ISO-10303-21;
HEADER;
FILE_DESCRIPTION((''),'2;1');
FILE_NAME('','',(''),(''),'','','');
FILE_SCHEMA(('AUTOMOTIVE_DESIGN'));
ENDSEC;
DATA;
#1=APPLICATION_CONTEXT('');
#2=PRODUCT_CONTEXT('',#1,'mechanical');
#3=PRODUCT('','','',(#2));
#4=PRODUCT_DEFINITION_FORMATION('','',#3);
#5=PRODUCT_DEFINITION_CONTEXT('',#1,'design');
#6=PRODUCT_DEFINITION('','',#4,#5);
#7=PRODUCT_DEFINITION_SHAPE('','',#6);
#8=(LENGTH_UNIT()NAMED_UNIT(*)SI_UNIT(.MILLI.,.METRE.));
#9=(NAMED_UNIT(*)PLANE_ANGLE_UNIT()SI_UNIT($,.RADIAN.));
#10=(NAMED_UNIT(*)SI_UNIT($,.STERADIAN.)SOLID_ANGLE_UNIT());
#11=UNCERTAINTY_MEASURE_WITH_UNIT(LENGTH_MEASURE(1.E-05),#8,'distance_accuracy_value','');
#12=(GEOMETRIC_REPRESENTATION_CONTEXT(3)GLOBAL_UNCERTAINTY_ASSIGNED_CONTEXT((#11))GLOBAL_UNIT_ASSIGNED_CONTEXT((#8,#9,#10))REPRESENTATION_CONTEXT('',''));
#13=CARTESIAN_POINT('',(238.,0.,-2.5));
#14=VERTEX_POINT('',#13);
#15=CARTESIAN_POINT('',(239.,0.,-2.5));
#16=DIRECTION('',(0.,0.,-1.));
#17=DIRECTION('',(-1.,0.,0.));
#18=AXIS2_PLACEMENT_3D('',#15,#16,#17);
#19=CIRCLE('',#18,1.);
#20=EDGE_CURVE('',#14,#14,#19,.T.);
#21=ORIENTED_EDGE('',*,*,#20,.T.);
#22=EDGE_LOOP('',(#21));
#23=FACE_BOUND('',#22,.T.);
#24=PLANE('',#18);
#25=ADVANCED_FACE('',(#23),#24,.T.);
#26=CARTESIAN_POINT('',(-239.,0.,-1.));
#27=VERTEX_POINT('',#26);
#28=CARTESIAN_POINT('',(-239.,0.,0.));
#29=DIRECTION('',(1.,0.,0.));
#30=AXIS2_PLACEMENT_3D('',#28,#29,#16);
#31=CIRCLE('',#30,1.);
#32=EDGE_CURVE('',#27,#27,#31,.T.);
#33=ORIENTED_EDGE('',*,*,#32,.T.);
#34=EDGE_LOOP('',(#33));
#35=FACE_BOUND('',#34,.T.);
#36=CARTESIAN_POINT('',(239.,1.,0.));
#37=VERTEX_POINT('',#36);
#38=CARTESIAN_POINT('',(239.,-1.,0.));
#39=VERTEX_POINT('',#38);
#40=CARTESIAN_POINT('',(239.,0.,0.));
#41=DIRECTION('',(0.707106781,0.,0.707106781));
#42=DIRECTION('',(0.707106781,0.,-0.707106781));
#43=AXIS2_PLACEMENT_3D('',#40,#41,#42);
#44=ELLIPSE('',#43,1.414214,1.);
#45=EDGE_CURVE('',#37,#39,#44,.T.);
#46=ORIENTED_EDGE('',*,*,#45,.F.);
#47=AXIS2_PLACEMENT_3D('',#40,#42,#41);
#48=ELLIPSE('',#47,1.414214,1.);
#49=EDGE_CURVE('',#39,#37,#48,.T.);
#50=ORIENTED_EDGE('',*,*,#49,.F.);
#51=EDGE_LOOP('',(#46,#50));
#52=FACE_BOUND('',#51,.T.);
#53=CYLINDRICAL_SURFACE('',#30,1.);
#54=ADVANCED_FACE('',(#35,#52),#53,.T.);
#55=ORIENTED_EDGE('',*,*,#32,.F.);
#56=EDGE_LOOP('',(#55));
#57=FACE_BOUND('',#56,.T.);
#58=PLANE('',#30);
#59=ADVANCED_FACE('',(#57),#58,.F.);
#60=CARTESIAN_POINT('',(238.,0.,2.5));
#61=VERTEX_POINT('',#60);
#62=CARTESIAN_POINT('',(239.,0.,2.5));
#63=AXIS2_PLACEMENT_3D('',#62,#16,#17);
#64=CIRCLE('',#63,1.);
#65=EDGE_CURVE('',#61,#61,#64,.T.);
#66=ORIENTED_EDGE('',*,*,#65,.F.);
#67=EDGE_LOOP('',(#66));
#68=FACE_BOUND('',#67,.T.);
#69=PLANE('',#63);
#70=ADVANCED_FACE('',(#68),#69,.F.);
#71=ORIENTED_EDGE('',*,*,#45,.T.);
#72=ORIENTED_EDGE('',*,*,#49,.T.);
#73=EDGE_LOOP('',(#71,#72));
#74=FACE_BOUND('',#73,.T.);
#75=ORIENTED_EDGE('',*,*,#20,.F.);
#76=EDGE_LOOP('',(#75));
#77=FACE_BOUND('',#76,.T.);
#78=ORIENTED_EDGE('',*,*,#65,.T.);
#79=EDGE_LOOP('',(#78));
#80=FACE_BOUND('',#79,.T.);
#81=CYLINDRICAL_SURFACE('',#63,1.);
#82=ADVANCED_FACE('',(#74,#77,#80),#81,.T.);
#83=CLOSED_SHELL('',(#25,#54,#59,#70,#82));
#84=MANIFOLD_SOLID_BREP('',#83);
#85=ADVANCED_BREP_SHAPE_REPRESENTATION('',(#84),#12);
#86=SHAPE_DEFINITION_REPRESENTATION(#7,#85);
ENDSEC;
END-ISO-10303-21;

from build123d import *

# Parameters (mm, degrees)
BALAYAGE1_PROFILE_R = 1
BALAYAGE2_PROFILE_R = 1


with BuildPart() as part:
    # Balayage1: sweep along a path in Esquisse1
    with BuildLine(Plane.XY) as balayage1_path:
        Line((-239, 0), (239, 0))
    # Balayage1 profile (on start of the path) → Balayage1 (sweep)
    with BuildSketch(Plane(origin=(-239, 0, 0), x_dir=(0, 0, 1), z_dir=(1, 0, 0))):
        Circle(BALAYAGE1_PROFILE_R)
    sweep(path=balayage1_path.line)

    # Balayage2: sweep along a path in Esquisse16
    with BuildLine(Plane(origin=(239, 0, 0), x_dir=(0, 0, -1), z_dir=(1, 0, 0))) as balayage2_path:
        Line((-2.5, 0), (2.5, 0))
    # Balayage2 profile (on start of the path) → Balayage2 (sweep)
    with BuildSketch(Plane(origin=(239, 0, 2.5), x_dir=(-1, 0, 0), z_dir=(0, 0, -1))):
        Circle(BALAYAGE2_PROFILE_R)
    sweep(path=balayage2_path.line)


solid = part.part
